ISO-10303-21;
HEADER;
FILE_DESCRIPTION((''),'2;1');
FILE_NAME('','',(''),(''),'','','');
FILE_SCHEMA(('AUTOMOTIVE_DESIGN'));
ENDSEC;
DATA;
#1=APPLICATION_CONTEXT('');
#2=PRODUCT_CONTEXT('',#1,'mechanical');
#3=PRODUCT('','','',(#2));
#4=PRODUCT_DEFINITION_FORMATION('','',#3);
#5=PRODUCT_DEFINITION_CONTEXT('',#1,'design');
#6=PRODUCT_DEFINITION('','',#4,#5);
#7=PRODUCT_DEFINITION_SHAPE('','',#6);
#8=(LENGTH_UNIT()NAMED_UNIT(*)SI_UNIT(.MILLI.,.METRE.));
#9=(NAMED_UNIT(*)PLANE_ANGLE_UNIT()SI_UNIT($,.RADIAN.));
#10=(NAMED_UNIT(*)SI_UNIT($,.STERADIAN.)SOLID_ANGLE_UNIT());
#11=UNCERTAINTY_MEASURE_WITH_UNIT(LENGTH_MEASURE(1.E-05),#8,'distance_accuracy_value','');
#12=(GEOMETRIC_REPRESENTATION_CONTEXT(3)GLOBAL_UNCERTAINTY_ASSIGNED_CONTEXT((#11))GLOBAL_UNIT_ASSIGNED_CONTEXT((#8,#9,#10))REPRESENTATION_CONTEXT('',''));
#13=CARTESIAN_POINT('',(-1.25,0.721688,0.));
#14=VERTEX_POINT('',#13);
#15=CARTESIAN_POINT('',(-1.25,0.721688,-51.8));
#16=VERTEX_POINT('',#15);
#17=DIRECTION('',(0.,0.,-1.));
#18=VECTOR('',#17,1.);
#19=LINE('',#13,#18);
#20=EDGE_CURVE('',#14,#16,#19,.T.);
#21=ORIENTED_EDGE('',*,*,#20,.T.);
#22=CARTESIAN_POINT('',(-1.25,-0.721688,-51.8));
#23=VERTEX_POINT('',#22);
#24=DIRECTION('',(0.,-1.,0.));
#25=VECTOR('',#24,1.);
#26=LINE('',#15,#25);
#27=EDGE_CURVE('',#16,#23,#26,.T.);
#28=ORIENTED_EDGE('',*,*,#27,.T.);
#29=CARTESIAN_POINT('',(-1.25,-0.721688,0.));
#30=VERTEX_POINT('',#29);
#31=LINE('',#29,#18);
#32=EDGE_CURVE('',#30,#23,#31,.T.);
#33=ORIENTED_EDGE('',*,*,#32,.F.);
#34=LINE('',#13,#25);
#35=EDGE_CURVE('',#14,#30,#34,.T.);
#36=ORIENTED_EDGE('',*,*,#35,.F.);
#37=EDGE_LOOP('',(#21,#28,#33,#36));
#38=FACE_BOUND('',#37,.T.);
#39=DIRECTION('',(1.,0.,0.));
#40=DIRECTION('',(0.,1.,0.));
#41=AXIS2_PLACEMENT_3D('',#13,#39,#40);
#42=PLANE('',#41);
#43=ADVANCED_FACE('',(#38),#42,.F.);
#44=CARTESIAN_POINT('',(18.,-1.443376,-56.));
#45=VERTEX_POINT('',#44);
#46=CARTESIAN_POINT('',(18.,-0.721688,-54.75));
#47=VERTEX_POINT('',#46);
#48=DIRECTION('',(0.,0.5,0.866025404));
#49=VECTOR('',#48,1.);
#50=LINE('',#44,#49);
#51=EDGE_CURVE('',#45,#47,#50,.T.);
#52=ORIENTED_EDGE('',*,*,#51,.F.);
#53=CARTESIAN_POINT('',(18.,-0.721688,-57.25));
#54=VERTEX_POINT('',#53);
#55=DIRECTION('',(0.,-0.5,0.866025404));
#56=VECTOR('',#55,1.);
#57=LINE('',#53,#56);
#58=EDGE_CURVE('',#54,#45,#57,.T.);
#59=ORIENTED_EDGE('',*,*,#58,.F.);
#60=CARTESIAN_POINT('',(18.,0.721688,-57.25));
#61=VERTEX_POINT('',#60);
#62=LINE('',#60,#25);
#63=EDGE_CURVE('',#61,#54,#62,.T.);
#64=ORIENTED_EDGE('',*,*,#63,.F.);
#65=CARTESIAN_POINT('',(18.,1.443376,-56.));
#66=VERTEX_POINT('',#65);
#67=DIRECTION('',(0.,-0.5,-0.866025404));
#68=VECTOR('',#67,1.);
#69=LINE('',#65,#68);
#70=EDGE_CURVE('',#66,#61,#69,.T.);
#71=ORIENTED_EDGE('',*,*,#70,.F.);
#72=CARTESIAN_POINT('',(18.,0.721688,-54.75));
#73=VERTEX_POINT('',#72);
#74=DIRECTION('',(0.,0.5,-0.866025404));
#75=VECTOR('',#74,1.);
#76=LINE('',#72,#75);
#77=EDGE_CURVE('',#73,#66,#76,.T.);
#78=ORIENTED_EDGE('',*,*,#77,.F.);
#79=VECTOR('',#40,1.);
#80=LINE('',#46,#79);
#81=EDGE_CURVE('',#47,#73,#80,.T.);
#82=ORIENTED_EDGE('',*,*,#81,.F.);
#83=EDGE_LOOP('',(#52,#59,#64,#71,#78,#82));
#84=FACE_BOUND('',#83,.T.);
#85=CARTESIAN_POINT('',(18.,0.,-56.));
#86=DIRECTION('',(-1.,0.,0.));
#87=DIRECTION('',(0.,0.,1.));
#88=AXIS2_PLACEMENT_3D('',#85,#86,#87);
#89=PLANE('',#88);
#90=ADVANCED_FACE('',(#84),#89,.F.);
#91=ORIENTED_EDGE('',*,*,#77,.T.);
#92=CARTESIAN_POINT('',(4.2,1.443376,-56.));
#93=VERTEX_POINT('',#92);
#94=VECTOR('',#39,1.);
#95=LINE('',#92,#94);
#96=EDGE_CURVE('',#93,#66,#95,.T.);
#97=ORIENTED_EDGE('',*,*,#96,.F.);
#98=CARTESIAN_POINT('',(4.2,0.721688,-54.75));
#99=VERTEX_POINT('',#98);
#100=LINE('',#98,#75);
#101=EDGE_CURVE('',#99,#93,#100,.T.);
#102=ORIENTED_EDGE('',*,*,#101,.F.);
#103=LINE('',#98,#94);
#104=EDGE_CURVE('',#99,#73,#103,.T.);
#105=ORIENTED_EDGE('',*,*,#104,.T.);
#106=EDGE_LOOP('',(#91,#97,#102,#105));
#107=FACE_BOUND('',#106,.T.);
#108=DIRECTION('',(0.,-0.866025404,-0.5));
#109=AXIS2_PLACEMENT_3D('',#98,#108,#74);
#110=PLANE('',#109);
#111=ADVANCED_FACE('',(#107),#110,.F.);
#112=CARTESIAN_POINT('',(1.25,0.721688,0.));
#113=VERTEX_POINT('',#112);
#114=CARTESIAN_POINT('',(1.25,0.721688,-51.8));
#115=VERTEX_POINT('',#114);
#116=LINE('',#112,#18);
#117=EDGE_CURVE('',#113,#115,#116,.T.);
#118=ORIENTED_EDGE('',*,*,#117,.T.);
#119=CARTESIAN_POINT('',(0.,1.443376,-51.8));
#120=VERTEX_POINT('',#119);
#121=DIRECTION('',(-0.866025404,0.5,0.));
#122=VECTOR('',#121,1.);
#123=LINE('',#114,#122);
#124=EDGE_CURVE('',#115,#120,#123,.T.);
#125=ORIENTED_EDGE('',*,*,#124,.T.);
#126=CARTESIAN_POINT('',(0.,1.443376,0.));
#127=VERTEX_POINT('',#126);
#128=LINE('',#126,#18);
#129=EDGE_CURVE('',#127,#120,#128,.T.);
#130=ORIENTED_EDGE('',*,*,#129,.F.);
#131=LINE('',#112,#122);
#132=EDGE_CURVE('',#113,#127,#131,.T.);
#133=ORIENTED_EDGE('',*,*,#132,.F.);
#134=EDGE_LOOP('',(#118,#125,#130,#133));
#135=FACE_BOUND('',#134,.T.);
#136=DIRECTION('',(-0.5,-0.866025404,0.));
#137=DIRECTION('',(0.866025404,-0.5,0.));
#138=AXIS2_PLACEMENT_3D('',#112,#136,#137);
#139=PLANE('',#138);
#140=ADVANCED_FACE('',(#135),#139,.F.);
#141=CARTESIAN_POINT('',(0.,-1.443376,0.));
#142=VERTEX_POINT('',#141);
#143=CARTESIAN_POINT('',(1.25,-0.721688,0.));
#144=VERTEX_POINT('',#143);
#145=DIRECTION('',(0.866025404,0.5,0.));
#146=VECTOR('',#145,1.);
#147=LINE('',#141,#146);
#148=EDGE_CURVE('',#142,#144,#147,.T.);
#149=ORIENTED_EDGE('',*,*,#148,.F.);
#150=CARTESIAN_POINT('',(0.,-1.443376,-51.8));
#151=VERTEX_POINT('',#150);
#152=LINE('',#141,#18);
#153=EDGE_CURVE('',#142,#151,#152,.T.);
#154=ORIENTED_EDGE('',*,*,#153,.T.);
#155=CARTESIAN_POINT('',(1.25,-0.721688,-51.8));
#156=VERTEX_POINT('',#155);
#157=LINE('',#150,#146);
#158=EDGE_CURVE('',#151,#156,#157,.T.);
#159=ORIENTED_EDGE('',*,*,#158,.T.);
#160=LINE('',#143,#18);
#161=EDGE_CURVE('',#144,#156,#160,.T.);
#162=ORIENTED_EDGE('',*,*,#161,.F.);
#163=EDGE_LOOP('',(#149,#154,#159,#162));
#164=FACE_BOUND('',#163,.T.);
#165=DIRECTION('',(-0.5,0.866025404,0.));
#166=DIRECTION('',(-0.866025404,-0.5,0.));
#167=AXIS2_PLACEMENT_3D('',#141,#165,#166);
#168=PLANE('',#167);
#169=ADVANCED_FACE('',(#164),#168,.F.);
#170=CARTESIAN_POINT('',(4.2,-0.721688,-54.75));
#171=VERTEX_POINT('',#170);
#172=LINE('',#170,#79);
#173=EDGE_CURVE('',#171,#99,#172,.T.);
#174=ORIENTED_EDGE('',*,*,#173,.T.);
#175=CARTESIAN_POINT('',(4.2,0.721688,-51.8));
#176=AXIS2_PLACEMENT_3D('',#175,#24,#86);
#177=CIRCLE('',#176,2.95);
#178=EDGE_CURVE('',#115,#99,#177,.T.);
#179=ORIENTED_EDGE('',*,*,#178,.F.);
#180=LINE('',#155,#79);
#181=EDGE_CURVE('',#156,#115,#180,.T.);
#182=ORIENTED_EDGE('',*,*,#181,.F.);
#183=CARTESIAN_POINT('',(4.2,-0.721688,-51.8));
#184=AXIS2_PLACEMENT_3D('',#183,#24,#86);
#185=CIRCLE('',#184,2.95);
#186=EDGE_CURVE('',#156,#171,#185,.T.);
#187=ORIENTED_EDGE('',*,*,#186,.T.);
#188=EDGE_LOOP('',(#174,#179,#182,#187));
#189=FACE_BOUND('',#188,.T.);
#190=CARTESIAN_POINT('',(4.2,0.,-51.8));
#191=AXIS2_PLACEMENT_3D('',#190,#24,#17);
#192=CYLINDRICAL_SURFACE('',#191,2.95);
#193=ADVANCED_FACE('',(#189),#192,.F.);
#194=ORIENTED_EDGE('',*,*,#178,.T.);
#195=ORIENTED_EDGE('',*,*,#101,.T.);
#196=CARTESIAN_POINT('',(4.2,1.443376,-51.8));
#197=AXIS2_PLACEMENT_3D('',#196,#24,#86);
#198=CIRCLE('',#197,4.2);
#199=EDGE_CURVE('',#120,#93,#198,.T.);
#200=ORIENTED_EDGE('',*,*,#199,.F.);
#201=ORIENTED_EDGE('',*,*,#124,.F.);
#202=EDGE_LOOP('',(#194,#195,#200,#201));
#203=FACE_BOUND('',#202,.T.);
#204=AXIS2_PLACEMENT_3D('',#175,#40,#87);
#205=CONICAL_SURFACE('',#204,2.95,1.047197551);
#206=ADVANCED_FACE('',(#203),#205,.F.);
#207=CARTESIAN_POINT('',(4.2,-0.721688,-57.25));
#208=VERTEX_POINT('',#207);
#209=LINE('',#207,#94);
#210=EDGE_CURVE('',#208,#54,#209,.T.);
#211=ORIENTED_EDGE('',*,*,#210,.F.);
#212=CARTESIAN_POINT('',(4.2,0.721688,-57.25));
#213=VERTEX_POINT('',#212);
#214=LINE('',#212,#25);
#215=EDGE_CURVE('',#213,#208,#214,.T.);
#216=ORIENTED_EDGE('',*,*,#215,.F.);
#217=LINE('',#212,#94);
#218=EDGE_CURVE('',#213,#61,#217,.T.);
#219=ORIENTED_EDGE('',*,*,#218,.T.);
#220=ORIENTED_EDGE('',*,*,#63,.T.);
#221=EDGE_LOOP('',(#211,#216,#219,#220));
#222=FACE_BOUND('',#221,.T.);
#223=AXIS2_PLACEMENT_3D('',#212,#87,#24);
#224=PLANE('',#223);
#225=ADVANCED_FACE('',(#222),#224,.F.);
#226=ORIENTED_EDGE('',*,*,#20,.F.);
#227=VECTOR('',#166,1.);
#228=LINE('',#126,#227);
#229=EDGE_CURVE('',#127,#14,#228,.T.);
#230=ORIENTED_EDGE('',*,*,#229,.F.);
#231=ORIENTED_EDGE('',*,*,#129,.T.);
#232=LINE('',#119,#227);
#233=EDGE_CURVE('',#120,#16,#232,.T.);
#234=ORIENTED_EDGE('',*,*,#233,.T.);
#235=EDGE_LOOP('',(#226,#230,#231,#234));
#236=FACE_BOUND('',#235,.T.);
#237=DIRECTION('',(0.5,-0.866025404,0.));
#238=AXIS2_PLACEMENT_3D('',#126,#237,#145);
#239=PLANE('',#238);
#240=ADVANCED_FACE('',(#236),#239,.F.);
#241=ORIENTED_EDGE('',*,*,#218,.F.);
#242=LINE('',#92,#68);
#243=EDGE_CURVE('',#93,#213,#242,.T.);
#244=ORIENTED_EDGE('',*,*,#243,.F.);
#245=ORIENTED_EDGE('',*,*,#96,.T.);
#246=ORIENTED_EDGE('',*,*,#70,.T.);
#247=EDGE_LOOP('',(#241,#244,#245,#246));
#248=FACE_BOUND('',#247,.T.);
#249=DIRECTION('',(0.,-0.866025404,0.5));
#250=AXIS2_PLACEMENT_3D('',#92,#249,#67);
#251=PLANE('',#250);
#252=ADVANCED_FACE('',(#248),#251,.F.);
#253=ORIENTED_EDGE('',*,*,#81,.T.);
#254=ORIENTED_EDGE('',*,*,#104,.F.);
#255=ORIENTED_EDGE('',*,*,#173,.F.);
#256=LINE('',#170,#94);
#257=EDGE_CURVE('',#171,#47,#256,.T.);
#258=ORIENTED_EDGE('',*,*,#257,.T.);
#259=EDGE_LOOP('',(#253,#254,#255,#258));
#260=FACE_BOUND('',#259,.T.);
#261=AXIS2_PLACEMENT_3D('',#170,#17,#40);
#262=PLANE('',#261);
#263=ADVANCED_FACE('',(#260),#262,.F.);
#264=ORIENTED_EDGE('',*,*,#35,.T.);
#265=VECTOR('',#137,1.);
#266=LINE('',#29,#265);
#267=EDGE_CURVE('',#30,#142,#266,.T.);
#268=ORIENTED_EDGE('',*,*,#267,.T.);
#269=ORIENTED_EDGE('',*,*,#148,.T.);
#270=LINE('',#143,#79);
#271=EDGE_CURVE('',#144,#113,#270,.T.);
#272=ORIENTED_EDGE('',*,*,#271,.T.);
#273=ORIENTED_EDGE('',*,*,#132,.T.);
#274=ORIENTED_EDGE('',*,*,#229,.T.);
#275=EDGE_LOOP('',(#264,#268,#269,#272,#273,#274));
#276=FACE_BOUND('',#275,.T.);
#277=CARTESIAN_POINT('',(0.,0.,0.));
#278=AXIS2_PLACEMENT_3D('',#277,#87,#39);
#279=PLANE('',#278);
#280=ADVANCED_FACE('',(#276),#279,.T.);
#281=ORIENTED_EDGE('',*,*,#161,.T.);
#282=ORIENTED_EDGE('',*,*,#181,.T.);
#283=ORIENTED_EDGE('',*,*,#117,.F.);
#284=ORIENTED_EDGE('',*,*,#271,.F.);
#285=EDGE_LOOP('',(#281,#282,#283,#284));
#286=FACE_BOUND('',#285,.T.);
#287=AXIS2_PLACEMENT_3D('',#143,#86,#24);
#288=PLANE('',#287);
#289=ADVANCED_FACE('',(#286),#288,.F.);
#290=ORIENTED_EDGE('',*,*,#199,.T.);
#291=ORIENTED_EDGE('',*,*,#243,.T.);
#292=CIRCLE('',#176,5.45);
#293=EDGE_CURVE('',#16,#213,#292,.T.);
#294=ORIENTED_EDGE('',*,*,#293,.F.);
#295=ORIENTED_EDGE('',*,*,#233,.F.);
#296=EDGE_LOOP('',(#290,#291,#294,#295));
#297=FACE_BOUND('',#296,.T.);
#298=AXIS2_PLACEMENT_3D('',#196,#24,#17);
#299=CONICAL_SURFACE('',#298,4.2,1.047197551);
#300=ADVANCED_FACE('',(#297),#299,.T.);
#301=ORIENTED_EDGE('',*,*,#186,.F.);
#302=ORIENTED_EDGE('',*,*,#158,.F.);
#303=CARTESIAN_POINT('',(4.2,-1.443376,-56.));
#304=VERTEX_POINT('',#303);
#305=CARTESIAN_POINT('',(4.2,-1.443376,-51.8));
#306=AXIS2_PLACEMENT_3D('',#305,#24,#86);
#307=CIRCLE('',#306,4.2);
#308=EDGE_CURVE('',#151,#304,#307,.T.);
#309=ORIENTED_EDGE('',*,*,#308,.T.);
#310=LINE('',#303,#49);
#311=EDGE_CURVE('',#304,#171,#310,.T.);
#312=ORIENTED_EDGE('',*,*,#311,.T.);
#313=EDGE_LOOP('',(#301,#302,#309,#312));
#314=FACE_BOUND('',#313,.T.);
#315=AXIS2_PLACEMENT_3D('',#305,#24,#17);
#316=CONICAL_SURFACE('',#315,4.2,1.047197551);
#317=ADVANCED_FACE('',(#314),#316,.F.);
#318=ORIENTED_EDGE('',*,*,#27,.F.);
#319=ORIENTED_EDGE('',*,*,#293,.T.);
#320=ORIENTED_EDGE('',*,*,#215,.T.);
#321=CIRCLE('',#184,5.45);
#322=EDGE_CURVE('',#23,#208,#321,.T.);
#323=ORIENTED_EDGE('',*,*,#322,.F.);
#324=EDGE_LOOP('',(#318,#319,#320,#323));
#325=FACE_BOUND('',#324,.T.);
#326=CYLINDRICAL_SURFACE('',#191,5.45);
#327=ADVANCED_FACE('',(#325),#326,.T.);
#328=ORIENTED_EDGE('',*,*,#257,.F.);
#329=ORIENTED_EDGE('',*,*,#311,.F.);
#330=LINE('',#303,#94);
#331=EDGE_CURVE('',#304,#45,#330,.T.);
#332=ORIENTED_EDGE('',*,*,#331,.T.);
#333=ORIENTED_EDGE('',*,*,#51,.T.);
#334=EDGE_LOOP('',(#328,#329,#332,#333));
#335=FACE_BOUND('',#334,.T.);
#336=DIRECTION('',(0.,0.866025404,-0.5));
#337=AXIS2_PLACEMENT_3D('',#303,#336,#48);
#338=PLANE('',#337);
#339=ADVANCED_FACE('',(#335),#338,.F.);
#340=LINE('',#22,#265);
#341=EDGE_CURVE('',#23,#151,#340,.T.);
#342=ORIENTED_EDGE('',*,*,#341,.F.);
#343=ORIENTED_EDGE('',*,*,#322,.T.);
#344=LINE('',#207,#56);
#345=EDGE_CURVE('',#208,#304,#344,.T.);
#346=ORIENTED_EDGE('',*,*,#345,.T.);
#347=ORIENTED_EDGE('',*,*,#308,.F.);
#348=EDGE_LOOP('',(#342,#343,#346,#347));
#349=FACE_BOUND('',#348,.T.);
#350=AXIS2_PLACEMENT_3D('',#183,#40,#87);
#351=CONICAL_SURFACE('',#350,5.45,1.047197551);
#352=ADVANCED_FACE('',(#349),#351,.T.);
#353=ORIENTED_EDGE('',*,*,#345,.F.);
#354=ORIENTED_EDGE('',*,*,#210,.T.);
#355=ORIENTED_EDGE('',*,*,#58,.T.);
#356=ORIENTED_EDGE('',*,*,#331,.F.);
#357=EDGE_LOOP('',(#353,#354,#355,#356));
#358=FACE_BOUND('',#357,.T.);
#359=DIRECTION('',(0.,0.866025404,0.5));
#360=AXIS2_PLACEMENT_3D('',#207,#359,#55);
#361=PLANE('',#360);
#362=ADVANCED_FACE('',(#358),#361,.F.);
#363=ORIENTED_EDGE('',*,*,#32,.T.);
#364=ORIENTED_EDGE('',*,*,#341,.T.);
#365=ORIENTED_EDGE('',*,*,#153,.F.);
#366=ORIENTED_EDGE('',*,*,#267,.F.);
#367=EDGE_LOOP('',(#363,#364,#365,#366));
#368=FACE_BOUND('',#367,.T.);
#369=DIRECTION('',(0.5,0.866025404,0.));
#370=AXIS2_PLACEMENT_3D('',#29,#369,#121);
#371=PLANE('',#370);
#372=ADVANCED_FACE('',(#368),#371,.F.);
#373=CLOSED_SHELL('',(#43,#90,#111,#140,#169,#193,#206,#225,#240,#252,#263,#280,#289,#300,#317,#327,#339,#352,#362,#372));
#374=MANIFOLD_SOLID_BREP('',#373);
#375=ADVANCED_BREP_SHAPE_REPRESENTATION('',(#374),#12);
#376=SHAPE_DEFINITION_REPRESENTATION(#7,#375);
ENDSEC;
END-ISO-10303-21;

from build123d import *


with BuildPart() as part:
    # Sweep1: sweep along a path in Sketch1
    with BuildLine(Plane(origin=(0, 0, 0), x_dir=(1, 0, 0), z_dir=(0, 1, 0))) as sweep1_path:
        Line((0, 0), (0, 51.8))
        ThreePointArc((0, 51.8), (1.230151519, 54.769848481), (4.2, 56))
        Line((4.2, 56), (18, 56))
    # Sketch2 → Sweep1 (sweep)
    with BuildSketch(Plane.XY):
        Polygon((0, -1.443375673), (1.25, -0.721687836), (1.25, 0.721687836), (0, 1.443375673), (-1.25, 0.721687836), (-1.25, -0.721687836), align=None)
    sweep(path=sweep1_path.line)


solid = part.part
